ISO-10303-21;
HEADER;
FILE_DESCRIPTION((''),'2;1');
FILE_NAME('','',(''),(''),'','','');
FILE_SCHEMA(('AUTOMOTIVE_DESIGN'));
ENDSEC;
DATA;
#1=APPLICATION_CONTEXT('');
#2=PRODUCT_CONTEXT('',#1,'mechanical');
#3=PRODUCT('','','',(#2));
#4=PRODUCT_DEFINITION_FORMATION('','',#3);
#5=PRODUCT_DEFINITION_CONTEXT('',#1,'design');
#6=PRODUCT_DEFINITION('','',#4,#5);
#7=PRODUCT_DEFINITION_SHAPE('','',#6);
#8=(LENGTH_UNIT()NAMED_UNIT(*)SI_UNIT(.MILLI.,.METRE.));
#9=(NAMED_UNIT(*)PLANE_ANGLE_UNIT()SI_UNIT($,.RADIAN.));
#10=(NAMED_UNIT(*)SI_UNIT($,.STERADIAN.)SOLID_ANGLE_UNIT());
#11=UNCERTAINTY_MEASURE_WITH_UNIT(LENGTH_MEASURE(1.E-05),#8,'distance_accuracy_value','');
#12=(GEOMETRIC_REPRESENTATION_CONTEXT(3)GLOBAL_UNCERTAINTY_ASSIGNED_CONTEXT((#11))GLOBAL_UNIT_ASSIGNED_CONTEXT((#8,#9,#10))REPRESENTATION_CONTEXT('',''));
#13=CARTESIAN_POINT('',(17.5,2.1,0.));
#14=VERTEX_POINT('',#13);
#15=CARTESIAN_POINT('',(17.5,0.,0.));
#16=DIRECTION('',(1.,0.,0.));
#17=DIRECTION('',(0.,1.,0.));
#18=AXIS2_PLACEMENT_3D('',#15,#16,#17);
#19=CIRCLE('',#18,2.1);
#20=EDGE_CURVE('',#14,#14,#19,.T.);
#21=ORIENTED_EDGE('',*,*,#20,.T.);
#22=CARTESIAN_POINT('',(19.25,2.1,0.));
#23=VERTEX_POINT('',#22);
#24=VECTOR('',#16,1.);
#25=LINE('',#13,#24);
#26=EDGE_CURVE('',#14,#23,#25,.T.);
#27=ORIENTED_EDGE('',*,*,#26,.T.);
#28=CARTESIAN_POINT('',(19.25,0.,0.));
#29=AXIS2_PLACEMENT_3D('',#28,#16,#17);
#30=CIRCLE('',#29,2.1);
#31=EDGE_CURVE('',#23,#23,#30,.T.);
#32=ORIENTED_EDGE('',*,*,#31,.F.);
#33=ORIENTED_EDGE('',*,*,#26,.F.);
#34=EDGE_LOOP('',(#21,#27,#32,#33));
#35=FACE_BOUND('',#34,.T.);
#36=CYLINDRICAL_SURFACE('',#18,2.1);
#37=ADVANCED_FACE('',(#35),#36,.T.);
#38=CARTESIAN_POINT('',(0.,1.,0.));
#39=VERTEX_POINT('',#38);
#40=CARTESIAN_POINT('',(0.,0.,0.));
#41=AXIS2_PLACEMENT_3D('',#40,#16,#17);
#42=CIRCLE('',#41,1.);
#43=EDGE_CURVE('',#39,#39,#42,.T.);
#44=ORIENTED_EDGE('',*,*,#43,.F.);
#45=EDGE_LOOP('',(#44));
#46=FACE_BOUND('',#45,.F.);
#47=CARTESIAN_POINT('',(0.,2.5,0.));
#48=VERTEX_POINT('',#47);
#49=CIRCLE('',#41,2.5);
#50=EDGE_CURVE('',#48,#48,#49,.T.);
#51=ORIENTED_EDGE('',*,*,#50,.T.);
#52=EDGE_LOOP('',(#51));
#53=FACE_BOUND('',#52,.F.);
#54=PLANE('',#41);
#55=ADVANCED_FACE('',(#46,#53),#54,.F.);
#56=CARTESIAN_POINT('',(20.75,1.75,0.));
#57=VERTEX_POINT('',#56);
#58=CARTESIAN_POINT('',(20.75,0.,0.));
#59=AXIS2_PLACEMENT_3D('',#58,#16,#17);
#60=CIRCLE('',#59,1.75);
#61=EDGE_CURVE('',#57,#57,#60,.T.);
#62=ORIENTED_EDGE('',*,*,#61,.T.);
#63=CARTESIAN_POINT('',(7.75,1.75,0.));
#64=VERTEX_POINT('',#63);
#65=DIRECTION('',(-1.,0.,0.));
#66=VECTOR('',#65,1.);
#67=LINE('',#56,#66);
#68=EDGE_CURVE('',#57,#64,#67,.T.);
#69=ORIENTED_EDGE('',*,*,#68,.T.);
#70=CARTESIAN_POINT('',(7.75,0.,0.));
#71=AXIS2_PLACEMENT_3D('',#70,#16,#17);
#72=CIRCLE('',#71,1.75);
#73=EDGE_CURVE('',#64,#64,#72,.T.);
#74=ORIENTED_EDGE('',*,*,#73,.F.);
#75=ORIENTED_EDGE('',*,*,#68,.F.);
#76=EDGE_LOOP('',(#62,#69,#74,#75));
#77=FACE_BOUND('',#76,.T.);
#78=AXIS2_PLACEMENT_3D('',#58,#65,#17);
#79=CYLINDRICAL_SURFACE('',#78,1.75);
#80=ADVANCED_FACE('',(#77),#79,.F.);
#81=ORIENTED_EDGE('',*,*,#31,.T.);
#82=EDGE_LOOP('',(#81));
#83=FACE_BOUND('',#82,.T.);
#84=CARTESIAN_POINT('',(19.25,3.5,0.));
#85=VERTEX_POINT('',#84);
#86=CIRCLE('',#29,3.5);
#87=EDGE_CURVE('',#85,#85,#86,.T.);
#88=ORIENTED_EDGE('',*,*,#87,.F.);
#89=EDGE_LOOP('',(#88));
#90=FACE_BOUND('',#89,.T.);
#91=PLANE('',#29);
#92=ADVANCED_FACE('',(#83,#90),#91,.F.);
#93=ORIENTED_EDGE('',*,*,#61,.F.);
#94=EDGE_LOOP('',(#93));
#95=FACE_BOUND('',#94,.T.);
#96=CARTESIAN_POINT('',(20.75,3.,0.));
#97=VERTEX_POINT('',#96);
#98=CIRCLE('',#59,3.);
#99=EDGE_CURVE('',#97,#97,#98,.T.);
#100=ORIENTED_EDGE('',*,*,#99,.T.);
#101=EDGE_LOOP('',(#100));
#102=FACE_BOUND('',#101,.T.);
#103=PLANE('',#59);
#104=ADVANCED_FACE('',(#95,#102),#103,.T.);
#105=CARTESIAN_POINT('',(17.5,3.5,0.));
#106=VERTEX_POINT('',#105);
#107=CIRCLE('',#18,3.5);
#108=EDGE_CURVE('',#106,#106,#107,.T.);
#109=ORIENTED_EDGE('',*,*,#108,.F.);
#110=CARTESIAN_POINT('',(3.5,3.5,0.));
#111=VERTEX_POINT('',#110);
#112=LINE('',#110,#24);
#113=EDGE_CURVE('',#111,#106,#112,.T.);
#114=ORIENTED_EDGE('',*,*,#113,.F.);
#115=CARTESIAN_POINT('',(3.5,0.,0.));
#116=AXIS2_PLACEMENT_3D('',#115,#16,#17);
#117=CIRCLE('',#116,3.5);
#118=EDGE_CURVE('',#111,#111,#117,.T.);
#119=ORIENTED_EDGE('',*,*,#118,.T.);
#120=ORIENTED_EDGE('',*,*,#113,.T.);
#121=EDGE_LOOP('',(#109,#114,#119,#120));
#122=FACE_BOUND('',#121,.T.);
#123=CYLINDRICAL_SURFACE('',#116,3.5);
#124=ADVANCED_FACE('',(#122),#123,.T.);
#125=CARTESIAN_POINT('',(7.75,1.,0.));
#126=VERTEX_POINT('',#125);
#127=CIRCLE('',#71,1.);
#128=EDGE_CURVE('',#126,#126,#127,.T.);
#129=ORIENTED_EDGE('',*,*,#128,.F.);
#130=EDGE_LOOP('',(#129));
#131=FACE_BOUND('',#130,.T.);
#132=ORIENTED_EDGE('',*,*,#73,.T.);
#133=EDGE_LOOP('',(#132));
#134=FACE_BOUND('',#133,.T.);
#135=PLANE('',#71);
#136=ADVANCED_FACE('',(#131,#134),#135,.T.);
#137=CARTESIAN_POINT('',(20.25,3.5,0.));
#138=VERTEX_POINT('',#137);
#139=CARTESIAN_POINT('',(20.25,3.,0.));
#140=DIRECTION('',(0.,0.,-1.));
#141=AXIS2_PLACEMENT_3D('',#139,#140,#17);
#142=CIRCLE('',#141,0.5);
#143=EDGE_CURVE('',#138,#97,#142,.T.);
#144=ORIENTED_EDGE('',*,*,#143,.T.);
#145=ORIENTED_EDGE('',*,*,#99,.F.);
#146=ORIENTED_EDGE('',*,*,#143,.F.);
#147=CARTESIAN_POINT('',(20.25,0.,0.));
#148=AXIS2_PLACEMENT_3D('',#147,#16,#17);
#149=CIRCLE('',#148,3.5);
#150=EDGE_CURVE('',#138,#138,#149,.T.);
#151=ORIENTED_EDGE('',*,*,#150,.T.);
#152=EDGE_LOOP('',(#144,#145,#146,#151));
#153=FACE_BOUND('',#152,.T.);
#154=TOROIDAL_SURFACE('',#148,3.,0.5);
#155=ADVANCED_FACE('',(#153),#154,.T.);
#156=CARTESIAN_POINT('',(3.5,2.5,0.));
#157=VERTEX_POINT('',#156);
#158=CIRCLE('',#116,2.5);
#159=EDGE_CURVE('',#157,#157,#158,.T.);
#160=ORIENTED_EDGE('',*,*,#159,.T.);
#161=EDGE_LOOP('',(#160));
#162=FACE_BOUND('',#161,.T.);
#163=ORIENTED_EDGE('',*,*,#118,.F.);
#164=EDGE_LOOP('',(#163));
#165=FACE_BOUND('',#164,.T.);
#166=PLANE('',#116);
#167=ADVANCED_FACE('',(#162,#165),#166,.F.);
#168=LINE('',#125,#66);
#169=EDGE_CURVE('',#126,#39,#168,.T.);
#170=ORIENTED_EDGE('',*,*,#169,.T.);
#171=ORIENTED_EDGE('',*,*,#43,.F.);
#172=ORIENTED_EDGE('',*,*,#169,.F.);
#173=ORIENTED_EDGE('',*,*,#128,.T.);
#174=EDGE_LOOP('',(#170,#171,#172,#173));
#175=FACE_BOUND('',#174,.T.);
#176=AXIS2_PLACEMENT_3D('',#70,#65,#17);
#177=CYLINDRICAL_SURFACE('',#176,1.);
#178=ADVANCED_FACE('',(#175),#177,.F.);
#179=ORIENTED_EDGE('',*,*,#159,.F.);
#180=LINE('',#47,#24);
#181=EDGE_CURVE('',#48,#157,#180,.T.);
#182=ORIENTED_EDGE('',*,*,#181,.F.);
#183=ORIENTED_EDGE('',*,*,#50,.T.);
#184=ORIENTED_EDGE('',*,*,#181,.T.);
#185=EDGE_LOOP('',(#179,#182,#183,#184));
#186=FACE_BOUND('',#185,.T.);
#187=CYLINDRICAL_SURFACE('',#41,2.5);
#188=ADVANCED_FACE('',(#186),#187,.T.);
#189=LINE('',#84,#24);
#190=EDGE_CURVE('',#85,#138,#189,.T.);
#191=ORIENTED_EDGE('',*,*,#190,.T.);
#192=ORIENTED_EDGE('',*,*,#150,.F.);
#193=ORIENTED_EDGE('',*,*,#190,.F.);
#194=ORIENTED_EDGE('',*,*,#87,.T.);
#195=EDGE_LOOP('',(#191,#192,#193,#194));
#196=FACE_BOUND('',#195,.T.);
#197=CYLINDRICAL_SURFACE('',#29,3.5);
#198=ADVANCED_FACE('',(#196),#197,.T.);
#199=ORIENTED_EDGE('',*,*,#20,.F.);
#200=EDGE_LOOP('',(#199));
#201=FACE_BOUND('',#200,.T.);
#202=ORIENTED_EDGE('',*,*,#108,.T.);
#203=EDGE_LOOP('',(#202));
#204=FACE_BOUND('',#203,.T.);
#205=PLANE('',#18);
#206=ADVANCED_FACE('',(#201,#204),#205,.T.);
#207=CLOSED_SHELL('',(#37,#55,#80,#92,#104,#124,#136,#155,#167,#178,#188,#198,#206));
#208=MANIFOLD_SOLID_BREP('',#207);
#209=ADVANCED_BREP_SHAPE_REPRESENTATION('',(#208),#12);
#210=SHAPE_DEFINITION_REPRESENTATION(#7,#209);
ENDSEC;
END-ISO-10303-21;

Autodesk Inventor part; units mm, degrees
ref_plane "YZ Plane" through (0, 0, 0) normal (1, 0, 0) x (0, 1, 0)
ref_plane "XZ Plane" through (0, 0, 0) normal (0, 1, 0) x (-1, 0, 0)
ref_plane "XY Plane" through (0, 0, 0) normal (0, 0, 1) x (1, 0, 0)
sketch "Skizze1" plane through (0, 0, 0) normal (0, 0, 1) x (1, 0, 0)
  line L0 (0, 4) -> (0, 0.5) projected
  line L1 (-4.15, 0) -> (24.9, 0) projected
  line L2 (0, 2.5) -> (3.5, 2.5)
  line L3 (3.5, 2.5) -> (3.5, 3.5)
  line L4 (3.5, 3.5) -> (17.5, 3.5)
  line L5 (17.5, 3.5) -> (17.5, 2.1)
  line L6 (17.5, 2.1) -> (19.25, 2.1)
  line L7 (19.25, 2.1) -> (19.25, 3.5)
  line L8 (19.25, 3.5) -> (20.75, 3.5)
  line L9 (20.75, 3.5) -> (20.75, 1.75)
  line L10 (7.75, 1) -> (0, 1)
  line L11 (0, 1) -> (0, 2.5)
  line L12 (20.75, 1.75) -> (7.75, 1.75)
  line L13 (7.75, 1.75) -> (7.75, 1)
  dimension "d0" = 1
  dimension "d1" = 3.5
  dimension "d2" = 2.5
  dimension "d3" = 2.1
  dimension "d4" = 1.5
  dimension "d5" = 1.75
  dimension "d6" = 14
  dimension "d7" = 3.5
  dimension "d11" = 1.75
  dimension "d12" = 13
revolve "Umdrehung1" add sketch "Skizze1" angle 360 about axis through (0, 0, 0) along (1, 0, 0)
thread "Gewinde1" size "M5x0.8" class "6g" standard "ANSI Metric M Profile" full length
fillet "Rundung1" radius 0.5 1 edges at (20.75, -3.5, 0)
properties part number "Schlauchfitting" material "Stainless Steel"
